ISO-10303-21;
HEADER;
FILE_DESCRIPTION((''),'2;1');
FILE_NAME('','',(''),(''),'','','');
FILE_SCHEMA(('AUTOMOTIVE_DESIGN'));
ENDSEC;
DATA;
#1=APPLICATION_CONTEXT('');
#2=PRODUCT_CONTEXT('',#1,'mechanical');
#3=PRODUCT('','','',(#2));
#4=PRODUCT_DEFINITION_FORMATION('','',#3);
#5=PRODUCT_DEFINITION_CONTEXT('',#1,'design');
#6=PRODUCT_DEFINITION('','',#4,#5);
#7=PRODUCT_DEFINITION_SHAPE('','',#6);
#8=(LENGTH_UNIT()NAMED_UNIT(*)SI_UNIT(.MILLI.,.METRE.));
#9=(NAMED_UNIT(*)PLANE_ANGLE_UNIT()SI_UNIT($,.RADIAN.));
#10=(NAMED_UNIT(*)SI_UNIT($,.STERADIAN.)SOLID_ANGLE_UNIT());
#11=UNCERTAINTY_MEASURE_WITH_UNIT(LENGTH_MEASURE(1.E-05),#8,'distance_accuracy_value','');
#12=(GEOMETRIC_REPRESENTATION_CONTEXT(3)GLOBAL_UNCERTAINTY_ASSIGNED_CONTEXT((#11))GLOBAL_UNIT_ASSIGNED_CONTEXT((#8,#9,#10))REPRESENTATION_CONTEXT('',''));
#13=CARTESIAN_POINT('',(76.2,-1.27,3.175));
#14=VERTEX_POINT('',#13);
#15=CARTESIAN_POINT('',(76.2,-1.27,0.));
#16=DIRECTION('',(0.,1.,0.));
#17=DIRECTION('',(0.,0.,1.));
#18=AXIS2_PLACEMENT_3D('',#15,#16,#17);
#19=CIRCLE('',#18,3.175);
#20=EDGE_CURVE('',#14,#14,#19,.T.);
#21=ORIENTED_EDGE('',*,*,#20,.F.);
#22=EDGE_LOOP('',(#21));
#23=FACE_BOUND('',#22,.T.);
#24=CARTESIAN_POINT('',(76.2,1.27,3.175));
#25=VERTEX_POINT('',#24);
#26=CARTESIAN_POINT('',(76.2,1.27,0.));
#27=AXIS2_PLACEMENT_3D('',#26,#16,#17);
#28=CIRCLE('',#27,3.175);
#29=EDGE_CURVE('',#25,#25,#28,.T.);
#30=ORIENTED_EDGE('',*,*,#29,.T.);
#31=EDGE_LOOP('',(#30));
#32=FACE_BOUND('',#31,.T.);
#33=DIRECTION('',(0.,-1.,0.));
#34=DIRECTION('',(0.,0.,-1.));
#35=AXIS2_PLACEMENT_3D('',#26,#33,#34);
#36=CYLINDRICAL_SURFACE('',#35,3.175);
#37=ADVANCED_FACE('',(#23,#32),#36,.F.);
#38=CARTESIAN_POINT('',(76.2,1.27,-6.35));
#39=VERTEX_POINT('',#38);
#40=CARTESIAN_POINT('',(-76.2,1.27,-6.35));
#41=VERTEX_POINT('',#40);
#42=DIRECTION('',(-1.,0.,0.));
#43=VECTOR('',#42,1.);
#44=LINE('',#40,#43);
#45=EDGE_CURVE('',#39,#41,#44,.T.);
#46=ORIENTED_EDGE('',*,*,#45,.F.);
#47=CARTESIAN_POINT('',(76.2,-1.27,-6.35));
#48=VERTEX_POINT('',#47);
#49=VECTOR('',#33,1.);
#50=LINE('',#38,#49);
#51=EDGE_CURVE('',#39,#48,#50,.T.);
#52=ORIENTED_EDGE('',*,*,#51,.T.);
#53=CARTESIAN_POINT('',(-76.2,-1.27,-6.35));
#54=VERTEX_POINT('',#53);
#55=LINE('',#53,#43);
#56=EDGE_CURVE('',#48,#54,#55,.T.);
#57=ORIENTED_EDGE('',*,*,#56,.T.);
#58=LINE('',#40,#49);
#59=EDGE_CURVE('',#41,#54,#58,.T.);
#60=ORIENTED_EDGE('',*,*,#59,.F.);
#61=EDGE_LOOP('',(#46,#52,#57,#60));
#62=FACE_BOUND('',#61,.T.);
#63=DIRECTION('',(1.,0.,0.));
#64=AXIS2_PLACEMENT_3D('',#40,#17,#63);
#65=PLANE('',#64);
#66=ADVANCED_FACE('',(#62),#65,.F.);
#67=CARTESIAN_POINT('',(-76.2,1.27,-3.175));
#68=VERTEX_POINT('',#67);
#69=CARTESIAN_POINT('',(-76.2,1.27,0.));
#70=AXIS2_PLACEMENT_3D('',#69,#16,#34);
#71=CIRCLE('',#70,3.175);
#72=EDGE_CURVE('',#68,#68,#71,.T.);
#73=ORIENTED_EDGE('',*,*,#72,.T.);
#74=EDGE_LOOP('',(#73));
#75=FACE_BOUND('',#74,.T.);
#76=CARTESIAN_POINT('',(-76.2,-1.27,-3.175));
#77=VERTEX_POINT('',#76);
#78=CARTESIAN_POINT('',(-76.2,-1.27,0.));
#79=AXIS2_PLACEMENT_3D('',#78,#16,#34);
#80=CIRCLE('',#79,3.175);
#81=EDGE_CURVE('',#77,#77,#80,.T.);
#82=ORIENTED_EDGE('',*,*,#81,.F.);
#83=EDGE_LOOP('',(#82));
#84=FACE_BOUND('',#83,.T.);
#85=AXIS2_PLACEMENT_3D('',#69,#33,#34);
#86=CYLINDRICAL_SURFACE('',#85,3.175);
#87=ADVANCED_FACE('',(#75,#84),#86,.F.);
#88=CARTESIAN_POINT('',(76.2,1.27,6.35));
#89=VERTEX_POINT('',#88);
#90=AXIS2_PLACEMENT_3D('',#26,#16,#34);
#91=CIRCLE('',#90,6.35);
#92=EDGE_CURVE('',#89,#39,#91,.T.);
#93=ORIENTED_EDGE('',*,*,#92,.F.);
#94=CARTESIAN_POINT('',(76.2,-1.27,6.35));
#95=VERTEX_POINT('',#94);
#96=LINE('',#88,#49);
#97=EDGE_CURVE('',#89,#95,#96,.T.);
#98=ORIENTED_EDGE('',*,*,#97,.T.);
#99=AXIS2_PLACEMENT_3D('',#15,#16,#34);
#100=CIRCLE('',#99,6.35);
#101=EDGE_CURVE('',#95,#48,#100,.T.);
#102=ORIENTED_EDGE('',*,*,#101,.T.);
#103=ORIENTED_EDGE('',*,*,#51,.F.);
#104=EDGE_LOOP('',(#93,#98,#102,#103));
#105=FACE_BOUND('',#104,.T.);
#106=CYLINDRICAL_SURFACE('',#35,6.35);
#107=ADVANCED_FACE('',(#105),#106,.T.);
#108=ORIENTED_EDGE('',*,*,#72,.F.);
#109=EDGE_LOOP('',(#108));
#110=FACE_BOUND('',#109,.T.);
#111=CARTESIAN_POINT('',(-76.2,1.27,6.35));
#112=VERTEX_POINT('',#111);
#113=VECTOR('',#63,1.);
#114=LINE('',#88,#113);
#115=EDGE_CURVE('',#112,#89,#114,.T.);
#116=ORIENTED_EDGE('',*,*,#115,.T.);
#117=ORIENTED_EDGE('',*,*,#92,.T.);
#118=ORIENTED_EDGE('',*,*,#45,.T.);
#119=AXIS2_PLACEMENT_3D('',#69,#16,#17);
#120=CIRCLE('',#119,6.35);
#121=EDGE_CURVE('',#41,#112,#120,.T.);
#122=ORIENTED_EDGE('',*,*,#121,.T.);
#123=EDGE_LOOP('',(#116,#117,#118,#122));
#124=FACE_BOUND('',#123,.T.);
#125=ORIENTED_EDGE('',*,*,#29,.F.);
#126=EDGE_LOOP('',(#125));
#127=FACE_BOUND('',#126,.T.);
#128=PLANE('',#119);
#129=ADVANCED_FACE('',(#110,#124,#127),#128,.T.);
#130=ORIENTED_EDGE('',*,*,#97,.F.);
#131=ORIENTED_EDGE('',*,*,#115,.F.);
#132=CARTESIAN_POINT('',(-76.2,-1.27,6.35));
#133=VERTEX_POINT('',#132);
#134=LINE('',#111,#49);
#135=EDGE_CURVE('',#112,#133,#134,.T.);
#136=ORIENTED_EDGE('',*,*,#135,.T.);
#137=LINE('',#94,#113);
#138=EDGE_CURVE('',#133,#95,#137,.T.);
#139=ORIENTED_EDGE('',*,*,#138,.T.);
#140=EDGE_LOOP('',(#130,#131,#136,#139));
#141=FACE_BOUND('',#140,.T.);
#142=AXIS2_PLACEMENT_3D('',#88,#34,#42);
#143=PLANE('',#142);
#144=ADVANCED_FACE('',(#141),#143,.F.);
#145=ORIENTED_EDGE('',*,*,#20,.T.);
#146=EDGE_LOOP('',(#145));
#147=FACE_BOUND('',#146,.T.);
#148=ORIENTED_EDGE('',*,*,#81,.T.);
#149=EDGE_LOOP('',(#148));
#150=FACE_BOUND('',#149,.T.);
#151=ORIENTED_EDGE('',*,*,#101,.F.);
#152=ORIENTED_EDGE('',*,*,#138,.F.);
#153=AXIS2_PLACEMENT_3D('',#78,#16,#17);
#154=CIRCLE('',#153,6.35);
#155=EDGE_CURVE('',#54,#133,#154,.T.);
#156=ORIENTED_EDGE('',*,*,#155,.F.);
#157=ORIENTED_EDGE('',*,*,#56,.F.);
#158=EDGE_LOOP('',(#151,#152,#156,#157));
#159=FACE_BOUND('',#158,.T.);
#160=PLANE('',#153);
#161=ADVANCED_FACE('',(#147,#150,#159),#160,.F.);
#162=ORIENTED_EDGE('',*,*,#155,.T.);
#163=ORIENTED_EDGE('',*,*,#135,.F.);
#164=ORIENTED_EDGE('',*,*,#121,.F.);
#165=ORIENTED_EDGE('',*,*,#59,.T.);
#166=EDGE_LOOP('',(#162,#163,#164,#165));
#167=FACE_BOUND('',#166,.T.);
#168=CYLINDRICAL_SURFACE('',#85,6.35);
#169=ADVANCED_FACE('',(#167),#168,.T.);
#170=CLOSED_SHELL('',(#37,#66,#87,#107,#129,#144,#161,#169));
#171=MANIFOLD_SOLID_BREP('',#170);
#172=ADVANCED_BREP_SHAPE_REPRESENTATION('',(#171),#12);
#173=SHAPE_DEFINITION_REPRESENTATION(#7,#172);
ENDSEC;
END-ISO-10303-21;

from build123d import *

# Parameters (mm, degrees)
SKETCH2_R           = 3.175
BOSS_EXTRUDE1_DEPTH = 1.27


with BuildPart() as part:
    # Sketch2 → Boss-Extrude1 (new body, symmetric)
    with BuildSketch(Plane(origin=(0, 0, 0), x_dir=(1, 0, 0), z_dir=(0, 1, 0))):
        with BuildLine():
            Line((-76.2, 6.35), (76.2, 6.35))
            ThreePointArc((76.2, 6.35), (82.55, 0), (76.2, -6.35))
            Line((76.2, -6.35), (-76.2, -6.35))
            ThreePointArc((-76.2, -6.35), (-82.55, 0), (-76.2, 6.35))
        make_face()
        with Locations((76.2, 0)):
            Circle(SKETCH2_R, mode=Mode.SUBTRACT)
        with Locations((-76.2, 0)):
            Circle(SKETCH2_R, mode=Mode.SUBTRACT)
    extrude(amount=BOSS_EXTRUDE1_DEPTH, both=True)


solid = part.part
